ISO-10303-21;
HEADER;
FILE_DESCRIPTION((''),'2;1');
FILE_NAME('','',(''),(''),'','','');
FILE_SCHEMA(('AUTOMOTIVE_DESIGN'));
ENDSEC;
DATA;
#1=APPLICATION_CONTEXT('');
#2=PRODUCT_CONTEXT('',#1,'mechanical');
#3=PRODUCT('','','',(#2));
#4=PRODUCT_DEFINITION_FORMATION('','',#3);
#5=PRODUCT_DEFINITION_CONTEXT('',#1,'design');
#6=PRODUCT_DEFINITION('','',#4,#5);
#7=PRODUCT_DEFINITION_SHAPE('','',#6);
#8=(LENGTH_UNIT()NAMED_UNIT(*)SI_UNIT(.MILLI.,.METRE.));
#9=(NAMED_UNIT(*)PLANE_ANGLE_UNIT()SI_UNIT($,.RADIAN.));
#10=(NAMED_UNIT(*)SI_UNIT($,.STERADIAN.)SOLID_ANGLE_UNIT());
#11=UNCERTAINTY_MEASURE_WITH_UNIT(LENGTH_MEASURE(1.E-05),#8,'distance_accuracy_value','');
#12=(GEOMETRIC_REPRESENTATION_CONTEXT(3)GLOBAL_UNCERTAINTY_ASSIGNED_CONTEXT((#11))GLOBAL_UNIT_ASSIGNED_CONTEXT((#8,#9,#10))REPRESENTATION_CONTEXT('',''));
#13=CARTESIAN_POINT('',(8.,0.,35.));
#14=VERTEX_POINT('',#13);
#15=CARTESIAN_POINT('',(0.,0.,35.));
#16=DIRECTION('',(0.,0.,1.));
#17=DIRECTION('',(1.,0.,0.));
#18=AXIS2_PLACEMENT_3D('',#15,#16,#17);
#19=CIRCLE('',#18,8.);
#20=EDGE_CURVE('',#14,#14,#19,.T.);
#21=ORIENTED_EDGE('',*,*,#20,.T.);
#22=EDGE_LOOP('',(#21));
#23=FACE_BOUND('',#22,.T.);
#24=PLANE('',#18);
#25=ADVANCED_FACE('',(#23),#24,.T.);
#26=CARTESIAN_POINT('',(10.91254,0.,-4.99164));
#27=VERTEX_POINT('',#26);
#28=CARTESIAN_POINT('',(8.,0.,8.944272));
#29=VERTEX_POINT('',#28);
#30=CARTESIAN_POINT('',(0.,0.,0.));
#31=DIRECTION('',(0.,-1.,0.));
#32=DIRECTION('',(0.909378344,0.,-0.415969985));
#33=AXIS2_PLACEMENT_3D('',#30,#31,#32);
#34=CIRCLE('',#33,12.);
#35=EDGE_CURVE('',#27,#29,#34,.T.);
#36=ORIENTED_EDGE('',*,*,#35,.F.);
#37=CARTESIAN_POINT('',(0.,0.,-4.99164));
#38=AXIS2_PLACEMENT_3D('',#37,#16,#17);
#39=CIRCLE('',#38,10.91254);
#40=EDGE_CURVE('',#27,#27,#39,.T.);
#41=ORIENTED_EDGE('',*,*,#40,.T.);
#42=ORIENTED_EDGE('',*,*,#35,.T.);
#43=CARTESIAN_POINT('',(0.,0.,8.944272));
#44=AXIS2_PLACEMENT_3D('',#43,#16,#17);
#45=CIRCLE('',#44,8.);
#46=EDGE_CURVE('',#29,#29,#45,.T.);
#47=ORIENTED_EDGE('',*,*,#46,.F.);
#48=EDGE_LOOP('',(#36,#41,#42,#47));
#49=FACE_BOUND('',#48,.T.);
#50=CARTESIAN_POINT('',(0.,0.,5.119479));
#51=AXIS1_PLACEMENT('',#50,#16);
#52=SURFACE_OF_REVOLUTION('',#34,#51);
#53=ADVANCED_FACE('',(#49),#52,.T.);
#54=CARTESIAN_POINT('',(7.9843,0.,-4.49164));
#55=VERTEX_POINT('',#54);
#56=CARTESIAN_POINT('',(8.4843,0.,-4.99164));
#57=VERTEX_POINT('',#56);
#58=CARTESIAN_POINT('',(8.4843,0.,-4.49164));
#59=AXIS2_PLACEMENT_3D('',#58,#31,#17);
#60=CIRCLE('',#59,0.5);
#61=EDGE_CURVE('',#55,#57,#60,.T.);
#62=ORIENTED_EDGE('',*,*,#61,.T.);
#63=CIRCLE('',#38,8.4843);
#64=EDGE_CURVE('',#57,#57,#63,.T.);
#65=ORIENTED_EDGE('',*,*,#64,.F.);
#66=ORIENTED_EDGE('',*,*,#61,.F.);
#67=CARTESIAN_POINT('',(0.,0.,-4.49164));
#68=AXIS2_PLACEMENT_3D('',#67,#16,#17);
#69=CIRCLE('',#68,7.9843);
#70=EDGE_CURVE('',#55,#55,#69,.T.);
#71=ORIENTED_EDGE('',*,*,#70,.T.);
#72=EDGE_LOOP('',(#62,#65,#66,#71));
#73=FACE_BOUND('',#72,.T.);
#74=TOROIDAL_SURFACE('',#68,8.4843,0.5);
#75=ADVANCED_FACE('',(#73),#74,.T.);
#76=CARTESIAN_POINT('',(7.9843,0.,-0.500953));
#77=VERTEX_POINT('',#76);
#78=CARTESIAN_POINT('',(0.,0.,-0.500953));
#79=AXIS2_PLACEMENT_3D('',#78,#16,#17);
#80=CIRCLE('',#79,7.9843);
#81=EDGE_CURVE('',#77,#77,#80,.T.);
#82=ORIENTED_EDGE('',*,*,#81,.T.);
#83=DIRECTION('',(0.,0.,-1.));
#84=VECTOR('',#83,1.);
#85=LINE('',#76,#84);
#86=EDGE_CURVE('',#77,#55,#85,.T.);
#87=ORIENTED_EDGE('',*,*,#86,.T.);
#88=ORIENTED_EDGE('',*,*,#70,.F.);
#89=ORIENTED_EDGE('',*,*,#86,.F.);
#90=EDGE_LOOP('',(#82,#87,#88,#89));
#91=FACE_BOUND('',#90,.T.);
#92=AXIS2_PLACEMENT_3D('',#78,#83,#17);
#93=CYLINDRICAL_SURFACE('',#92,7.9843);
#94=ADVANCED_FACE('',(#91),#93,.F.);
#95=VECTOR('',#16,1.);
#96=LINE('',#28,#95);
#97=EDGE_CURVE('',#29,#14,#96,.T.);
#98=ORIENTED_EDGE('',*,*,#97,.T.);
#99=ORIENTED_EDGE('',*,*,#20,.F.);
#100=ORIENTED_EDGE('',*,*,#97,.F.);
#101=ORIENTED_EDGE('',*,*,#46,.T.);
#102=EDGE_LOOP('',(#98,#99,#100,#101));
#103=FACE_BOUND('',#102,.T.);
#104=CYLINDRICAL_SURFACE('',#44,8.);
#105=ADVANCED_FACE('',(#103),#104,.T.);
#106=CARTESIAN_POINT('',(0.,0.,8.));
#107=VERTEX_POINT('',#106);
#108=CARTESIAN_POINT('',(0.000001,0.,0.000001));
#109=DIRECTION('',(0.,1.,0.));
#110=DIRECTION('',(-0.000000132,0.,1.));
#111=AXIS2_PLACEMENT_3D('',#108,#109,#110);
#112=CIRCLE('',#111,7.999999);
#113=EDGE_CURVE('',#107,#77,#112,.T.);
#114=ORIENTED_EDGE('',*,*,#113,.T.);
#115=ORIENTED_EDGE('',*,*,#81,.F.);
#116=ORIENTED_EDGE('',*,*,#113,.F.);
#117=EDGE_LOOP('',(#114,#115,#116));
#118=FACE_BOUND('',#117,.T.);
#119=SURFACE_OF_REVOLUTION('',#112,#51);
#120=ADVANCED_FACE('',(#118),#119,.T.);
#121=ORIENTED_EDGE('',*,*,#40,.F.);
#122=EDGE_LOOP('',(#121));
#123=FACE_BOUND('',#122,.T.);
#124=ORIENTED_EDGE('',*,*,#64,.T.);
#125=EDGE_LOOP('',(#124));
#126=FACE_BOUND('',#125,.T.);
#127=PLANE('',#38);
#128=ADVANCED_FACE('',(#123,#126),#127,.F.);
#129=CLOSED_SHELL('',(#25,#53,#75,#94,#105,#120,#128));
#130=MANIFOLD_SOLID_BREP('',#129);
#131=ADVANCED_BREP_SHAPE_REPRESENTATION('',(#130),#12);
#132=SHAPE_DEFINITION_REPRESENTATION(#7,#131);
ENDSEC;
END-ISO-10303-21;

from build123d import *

# Parameters (mm, degrees)
F2_R = 0.5


with BuildPart() as f1:
    # F0 (on Front) → F1 (revolve)
    with BuildSketch(Plane.XZ):
        with BuildLine():
            ThreePointArc((0, 8), (5.831279, 5.476878), (7.9843, -0.500953))
            Line((7.9843, -0.500953), (7.9843, -4.99164))
            Line((7.9843, -4.99164), (10.91254, -4.99164))
            ThreePointArc((10.91254, -4.99164), (11.74621, 2.454903), (8, 8.944272))
            Line((8, 8.944272), (8, 35))
            Line((8, 35), (0, 35))
            Line((0, 35), (0, 8))
        make_face()
    revolve(axis=Axis((0, 0, 5.119479), (0, 0, 1)))

    # F2
    f2_edges = [f1.edges().sort_by_distance(p)[0] for p in [
        (-7.9843, 0, -4.99164),
    ]]
    fillet(f2_edges, radius=F2_R)


solid = f1.part
